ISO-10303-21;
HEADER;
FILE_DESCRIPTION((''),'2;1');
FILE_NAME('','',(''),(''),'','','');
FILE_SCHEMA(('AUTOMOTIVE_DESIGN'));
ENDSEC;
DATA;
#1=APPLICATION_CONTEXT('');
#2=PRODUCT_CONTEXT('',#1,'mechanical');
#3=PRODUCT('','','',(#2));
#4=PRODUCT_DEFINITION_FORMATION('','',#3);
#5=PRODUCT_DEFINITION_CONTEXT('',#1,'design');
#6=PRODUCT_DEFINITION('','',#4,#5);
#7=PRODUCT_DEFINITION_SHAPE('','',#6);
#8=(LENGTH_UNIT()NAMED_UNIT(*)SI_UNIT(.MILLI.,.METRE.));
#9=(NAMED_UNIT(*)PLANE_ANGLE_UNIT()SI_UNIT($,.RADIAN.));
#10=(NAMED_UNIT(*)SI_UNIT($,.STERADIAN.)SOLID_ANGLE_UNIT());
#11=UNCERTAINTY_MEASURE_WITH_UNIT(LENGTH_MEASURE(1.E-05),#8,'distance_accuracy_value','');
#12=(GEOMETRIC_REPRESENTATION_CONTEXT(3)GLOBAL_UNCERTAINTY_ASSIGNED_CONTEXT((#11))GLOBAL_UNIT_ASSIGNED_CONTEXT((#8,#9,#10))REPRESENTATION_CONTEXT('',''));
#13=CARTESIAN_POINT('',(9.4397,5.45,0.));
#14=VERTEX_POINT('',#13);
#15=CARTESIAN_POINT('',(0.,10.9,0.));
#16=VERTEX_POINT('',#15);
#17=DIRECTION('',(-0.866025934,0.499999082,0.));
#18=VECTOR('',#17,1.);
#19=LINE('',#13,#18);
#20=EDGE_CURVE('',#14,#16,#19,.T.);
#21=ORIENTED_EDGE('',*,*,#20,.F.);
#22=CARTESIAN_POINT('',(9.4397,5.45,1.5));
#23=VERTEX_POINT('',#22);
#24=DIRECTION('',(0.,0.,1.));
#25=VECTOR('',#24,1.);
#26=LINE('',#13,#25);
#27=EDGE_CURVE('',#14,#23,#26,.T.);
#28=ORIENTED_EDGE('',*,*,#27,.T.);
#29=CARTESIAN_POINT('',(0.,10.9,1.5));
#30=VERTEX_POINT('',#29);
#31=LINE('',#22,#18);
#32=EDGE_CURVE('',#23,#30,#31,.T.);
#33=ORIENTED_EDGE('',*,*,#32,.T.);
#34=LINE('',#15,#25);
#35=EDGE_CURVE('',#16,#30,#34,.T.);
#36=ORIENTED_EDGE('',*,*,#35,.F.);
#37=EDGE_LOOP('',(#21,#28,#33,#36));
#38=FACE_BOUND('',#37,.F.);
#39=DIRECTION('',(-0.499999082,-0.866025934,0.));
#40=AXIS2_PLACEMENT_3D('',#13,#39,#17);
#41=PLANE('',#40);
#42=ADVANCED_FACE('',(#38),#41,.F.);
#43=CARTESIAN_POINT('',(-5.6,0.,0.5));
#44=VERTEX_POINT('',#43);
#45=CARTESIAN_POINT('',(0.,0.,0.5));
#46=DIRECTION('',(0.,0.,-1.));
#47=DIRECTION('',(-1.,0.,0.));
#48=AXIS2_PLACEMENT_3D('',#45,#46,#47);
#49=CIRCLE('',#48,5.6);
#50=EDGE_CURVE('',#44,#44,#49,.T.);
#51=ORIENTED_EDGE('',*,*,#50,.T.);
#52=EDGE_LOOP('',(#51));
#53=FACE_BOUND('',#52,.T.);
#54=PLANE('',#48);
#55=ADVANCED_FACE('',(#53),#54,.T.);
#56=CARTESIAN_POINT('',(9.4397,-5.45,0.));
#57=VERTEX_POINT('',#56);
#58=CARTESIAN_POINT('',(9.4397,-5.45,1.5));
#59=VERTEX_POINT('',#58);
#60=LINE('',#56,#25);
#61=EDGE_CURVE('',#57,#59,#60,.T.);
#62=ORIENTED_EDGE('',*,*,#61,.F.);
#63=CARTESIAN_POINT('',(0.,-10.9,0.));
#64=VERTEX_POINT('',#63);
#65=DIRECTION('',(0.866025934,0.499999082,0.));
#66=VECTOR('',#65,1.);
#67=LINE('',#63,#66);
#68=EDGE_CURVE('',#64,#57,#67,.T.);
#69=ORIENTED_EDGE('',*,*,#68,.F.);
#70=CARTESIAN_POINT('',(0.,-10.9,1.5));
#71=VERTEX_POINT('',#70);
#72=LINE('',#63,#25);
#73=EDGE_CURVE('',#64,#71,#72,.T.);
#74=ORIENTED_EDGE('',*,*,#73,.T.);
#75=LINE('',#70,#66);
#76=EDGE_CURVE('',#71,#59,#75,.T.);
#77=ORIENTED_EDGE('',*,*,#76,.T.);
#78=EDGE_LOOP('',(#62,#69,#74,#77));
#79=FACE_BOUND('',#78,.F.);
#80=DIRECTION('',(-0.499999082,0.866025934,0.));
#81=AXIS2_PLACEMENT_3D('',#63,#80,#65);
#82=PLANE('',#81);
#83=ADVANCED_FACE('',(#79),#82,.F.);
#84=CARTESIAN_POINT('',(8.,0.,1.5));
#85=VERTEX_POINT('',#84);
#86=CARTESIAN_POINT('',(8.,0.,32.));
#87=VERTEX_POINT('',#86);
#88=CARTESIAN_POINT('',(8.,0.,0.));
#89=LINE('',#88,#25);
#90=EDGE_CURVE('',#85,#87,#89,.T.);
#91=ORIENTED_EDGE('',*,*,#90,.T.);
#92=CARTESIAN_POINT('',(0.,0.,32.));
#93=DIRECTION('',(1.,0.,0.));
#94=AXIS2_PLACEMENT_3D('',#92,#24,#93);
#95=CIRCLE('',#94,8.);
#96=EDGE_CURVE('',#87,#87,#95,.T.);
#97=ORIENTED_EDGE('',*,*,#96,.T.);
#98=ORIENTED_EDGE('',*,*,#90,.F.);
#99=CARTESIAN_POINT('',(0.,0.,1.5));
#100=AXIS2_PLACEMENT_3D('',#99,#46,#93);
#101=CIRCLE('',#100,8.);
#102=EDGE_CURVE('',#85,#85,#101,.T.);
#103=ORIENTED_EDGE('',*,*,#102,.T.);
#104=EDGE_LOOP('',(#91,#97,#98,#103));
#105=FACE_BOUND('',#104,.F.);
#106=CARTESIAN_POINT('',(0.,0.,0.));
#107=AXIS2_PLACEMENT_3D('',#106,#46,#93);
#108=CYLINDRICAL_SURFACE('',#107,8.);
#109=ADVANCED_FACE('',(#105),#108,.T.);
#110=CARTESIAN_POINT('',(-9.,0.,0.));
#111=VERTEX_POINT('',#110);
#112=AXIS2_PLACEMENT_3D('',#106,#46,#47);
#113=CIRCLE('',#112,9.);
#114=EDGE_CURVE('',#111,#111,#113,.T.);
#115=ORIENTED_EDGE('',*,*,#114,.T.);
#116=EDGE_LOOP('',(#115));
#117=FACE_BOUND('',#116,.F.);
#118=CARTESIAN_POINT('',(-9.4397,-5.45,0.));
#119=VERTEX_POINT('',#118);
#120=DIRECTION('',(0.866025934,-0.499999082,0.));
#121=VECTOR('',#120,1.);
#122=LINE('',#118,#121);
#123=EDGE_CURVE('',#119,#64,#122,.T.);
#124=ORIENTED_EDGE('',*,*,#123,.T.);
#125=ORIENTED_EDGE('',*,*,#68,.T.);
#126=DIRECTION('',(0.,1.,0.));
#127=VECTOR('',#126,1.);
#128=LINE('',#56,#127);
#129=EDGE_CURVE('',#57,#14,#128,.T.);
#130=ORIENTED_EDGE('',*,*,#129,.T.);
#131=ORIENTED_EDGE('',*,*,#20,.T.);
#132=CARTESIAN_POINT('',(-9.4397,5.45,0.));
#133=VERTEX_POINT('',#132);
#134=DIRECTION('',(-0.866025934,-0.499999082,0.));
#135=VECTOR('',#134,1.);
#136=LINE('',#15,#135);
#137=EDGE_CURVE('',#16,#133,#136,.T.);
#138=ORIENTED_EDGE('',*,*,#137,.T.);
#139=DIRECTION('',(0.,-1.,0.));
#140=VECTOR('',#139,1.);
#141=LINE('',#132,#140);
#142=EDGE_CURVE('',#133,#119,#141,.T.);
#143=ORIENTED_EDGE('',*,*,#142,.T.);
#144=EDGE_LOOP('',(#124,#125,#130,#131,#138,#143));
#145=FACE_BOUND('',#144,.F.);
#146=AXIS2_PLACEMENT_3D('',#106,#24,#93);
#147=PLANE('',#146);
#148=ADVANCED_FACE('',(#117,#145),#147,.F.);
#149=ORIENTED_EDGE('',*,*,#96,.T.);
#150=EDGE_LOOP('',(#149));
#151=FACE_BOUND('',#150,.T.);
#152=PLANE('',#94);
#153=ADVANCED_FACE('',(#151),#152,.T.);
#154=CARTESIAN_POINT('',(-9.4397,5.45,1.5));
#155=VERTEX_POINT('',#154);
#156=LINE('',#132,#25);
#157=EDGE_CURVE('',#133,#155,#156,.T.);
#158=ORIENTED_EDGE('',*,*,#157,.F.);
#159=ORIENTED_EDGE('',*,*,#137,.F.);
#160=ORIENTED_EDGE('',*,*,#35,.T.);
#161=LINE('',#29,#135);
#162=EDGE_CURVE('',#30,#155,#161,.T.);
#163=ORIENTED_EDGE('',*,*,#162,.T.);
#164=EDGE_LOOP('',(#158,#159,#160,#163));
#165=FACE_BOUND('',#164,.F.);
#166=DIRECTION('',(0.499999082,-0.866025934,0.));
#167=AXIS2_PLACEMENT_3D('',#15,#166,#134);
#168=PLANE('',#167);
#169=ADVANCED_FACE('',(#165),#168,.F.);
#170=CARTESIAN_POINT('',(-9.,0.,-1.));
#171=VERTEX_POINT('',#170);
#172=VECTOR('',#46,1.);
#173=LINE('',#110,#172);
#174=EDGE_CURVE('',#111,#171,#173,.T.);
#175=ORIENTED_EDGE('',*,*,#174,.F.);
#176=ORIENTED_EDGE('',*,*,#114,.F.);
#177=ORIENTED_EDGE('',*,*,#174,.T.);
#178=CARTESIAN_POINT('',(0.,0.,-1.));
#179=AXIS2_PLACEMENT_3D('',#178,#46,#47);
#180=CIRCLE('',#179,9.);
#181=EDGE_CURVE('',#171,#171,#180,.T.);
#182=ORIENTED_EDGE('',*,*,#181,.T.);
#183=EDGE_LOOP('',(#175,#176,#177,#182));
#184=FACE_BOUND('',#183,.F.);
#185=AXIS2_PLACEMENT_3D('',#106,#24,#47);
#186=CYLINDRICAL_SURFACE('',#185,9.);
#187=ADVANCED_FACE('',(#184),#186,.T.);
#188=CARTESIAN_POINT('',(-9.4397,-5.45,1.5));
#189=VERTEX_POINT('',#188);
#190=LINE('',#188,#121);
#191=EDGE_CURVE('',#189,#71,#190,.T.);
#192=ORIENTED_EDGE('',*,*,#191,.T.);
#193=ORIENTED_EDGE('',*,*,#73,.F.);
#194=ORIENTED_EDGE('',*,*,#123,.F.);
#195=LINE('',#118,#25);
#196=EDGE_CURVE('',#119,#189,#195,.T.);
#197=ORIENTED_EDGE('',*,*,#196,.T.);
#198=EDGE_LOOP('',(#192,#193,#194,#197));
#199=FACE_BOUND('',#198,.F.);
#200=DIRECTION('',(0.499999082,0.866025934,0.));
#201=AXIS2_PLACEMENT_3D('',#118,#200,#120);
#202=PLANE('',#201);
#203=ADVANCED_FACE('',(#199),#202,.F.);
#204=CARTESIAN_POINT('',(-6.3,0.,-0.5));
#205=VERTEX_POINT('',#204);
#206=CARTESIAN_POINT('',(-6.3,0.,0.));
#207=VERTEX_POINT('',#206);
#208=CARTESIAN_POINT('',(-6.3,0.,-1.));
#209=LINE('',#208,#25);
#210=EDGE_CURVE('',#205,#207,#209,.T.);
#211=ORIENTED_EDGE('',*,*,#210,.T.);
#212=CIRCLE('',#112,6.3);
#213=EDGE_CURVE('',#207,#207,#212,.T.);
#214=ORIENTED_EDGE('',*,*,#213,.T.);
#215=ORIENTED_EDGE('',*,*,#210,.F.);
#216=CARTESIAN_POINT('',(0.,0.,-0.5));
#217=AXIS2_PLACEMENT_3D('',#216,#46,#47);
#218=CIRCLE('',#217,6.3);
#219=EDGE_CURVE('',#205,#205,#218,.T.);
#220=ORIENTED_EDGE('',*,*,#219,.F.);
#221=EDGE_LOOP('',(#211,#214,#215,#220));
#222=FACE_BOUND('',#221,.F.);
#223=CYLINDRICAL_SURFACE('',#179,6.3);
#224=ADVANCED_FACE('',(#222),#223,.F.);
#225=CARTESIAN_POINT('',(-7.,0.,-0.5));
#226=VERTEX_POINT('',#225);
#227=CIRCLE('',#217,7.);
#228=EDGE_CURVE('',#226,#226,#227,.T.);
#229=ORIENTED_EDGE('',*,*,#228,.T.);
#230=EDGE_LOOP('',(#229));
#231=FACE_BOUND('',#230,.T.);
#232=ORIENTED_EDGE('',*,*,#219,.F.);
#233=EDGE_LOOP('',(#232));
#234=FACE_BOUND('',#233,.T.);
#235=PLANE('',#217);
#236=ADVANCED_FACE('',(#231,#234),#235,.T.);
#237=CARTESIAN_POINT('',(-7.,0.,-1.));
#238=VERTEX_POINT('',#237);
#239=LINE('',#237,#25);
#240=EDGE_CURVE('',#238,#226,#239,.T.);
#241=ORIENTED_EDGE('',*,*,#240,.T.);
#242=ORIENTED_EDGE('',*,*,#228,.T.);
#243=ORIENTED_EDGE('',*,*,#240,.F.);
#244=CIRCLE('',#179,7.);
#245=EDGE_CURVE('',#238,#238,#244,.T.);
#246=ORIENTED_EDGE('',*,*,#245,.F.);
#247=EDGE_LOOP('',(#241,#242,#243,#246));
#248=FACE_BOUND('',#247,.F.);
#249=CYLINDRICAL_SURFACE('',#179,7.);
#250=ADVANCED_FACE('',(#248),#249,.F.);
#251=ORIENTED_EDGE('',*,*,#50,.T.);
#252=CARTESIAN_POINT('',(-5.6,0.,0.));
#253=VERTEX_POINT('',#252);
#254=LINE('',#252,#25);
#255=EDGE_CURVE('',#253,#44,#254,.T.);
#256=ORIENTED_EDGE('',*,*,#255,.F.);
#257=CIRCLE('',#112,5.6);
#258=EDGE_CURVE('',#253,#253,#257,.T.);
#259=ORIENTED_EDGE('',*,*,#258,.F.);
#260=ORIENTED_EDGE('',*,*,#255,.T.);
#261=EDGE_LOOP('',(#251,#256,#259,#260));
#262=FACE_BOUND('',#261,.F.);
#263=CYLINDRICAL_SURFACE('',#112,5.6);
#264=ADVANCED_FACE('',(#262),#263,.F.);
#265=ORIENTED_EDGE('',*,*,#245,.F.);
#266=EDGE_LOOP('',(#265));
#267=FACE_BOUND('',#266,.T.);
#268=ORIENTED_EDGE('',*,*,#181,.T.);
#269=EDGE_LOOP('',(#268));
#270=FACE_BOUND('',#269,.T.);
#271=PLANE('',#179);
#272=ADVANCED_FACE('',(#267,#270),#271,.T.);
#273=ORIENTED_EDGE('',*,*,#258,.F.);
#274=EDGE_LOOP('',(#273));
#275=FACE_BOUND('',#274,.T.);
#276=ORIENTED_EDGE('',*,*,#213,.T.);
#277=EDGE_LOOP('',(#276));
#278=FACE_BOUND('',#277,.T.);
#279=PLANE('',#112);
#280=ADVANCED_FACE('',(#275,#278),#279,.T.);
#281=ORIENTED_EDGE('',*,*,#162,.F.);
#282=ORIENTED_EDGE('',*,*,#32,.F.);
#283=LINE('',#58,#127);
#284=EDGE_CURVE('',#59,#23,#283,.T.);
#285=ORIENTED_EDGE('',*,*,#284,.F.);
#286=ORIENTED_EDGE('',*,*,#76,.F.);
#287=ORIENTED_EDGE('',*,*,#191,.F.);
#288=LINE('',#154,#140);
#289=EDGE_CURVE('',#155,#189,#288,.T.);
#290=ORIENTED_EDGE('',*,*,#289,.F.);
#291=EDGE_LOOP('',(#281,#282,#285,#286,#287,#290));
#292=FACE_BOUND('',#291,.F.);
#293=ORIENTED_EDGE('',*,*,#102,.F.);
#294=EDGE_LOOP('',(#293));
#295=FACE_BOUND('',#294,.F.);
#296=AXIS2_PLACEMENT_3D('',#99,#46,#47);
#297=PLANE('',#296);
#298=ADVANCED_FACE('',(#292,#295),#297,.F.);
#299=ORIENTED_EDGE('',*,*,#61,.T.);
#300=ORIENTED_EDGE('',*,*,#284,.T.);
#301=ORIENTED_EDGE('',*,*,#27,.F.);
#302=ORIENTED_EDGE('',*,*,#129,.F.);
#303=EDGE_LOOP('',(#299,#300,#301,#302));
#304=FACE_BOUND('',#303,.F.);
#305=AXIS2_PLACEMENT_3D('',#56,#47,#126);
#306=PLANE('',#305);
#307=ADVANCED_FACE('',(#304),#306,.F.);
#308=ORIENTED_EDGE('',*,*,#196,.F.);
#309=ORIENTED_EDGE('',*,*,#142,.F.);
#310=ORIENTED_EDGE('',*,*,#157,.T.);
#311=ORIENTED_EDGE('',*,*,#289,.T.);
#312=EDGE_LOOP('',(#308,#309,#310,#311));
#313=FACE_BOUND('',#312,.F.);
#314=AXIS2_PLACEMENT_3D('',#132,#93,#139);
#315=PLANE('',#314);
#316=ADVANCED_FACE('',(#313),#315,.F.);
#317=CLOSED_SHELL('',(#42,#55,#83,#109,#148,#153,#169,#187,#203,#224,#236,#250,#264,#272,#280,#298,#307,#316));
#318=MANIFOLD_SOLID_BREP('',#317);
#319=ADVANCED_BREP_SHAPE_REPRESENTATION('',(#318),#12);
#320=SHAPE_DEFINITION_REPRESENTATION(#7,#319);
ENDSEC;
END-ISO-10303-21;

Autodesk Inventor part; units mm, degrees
ref_plane "YZ Plane" through (0, 0, 0) normal (1, 0, 0) x (0, 1, 0)
ref_plane "XZ Plane" through (0, 0, 0) normal (0, 1, 0) x (-1, 0, 0)
ref_plane "XY Plane" through (0, 0, 0) normal (0, 0, 1) x (1, 0, 0)
sketch "Sketch1" plane through (0, 0, 0) normal (0, 0, 1) x (1, 0, 0)
  circle A0 centre (0, 0) radius 8
  dimension "d0" = 16
extrude "Extrusion1" add sketch "Sketch1" along normal blind 32
sketch "Sketch2" plane through (0, 0, 0) normal (0, 0, -1) x (-1, 0, 0)
  line L0 (0, 10.9) -> (9.4397, 5.45)
  line L1 (9.4397, 5.45) -> (9.4397, -5.45)
  line L2 (9.4397, -5.45) -> (0, -10.9)
  line L3 (0, -10.9) -> (-9.4397, -5.45)
  line L4 (-9.4397, -5.45) -> (-9.4397, 5.45)
  line L5 (-9.4397, 5.45) -> (0, 10.9)
  point P0 (0, 0)
  point P1 (0, 0)
  dimension "d3" = 21.8
extrude "Extrusion2" add sketch "Sketch2" against normal blind 1.5
sketch "Sketch3" plane through (0, 0, 0) normal (0, 0, -1) x (-1, 0, 0)
  circle A0 centre (0, 0) radius 9
  dimension "d6" = 18
extrude "Extrusion3" add sketch "Sketch3" along normal blind 1
sketch "Sketch4" plane through (0, 0, -1) normal (0, 0, -1) x (-1, 0, 0)
  circle A0 centre (0, 0) radius 6.3
  dimension "d9" = 12.6
extrude "Extrusion4" cut sketch "Sketch4" against normal blind 1
sketch "Sketch5" plane through (0, 0, 0) normal (0, 0, -1) x (-1, 0, 0)
  circle A0 centre (0, 0) radius 5.6
  dimension "d12" = 11.2
extrude "Extrusion5" cut sketch "Sketch5" against normal blind 0.5
sketch "Sketch6" plane through (0, 0, -1) normal (0, 0, -1) x (-1, 0, 0)
  circle A0 centre (0, 0) radius 7
  dimension "d15" = 14
extrude "Extrusion6" cut sketch "Sketch6" against normal blind 0.5
properties part number "16mmToggleButton"
